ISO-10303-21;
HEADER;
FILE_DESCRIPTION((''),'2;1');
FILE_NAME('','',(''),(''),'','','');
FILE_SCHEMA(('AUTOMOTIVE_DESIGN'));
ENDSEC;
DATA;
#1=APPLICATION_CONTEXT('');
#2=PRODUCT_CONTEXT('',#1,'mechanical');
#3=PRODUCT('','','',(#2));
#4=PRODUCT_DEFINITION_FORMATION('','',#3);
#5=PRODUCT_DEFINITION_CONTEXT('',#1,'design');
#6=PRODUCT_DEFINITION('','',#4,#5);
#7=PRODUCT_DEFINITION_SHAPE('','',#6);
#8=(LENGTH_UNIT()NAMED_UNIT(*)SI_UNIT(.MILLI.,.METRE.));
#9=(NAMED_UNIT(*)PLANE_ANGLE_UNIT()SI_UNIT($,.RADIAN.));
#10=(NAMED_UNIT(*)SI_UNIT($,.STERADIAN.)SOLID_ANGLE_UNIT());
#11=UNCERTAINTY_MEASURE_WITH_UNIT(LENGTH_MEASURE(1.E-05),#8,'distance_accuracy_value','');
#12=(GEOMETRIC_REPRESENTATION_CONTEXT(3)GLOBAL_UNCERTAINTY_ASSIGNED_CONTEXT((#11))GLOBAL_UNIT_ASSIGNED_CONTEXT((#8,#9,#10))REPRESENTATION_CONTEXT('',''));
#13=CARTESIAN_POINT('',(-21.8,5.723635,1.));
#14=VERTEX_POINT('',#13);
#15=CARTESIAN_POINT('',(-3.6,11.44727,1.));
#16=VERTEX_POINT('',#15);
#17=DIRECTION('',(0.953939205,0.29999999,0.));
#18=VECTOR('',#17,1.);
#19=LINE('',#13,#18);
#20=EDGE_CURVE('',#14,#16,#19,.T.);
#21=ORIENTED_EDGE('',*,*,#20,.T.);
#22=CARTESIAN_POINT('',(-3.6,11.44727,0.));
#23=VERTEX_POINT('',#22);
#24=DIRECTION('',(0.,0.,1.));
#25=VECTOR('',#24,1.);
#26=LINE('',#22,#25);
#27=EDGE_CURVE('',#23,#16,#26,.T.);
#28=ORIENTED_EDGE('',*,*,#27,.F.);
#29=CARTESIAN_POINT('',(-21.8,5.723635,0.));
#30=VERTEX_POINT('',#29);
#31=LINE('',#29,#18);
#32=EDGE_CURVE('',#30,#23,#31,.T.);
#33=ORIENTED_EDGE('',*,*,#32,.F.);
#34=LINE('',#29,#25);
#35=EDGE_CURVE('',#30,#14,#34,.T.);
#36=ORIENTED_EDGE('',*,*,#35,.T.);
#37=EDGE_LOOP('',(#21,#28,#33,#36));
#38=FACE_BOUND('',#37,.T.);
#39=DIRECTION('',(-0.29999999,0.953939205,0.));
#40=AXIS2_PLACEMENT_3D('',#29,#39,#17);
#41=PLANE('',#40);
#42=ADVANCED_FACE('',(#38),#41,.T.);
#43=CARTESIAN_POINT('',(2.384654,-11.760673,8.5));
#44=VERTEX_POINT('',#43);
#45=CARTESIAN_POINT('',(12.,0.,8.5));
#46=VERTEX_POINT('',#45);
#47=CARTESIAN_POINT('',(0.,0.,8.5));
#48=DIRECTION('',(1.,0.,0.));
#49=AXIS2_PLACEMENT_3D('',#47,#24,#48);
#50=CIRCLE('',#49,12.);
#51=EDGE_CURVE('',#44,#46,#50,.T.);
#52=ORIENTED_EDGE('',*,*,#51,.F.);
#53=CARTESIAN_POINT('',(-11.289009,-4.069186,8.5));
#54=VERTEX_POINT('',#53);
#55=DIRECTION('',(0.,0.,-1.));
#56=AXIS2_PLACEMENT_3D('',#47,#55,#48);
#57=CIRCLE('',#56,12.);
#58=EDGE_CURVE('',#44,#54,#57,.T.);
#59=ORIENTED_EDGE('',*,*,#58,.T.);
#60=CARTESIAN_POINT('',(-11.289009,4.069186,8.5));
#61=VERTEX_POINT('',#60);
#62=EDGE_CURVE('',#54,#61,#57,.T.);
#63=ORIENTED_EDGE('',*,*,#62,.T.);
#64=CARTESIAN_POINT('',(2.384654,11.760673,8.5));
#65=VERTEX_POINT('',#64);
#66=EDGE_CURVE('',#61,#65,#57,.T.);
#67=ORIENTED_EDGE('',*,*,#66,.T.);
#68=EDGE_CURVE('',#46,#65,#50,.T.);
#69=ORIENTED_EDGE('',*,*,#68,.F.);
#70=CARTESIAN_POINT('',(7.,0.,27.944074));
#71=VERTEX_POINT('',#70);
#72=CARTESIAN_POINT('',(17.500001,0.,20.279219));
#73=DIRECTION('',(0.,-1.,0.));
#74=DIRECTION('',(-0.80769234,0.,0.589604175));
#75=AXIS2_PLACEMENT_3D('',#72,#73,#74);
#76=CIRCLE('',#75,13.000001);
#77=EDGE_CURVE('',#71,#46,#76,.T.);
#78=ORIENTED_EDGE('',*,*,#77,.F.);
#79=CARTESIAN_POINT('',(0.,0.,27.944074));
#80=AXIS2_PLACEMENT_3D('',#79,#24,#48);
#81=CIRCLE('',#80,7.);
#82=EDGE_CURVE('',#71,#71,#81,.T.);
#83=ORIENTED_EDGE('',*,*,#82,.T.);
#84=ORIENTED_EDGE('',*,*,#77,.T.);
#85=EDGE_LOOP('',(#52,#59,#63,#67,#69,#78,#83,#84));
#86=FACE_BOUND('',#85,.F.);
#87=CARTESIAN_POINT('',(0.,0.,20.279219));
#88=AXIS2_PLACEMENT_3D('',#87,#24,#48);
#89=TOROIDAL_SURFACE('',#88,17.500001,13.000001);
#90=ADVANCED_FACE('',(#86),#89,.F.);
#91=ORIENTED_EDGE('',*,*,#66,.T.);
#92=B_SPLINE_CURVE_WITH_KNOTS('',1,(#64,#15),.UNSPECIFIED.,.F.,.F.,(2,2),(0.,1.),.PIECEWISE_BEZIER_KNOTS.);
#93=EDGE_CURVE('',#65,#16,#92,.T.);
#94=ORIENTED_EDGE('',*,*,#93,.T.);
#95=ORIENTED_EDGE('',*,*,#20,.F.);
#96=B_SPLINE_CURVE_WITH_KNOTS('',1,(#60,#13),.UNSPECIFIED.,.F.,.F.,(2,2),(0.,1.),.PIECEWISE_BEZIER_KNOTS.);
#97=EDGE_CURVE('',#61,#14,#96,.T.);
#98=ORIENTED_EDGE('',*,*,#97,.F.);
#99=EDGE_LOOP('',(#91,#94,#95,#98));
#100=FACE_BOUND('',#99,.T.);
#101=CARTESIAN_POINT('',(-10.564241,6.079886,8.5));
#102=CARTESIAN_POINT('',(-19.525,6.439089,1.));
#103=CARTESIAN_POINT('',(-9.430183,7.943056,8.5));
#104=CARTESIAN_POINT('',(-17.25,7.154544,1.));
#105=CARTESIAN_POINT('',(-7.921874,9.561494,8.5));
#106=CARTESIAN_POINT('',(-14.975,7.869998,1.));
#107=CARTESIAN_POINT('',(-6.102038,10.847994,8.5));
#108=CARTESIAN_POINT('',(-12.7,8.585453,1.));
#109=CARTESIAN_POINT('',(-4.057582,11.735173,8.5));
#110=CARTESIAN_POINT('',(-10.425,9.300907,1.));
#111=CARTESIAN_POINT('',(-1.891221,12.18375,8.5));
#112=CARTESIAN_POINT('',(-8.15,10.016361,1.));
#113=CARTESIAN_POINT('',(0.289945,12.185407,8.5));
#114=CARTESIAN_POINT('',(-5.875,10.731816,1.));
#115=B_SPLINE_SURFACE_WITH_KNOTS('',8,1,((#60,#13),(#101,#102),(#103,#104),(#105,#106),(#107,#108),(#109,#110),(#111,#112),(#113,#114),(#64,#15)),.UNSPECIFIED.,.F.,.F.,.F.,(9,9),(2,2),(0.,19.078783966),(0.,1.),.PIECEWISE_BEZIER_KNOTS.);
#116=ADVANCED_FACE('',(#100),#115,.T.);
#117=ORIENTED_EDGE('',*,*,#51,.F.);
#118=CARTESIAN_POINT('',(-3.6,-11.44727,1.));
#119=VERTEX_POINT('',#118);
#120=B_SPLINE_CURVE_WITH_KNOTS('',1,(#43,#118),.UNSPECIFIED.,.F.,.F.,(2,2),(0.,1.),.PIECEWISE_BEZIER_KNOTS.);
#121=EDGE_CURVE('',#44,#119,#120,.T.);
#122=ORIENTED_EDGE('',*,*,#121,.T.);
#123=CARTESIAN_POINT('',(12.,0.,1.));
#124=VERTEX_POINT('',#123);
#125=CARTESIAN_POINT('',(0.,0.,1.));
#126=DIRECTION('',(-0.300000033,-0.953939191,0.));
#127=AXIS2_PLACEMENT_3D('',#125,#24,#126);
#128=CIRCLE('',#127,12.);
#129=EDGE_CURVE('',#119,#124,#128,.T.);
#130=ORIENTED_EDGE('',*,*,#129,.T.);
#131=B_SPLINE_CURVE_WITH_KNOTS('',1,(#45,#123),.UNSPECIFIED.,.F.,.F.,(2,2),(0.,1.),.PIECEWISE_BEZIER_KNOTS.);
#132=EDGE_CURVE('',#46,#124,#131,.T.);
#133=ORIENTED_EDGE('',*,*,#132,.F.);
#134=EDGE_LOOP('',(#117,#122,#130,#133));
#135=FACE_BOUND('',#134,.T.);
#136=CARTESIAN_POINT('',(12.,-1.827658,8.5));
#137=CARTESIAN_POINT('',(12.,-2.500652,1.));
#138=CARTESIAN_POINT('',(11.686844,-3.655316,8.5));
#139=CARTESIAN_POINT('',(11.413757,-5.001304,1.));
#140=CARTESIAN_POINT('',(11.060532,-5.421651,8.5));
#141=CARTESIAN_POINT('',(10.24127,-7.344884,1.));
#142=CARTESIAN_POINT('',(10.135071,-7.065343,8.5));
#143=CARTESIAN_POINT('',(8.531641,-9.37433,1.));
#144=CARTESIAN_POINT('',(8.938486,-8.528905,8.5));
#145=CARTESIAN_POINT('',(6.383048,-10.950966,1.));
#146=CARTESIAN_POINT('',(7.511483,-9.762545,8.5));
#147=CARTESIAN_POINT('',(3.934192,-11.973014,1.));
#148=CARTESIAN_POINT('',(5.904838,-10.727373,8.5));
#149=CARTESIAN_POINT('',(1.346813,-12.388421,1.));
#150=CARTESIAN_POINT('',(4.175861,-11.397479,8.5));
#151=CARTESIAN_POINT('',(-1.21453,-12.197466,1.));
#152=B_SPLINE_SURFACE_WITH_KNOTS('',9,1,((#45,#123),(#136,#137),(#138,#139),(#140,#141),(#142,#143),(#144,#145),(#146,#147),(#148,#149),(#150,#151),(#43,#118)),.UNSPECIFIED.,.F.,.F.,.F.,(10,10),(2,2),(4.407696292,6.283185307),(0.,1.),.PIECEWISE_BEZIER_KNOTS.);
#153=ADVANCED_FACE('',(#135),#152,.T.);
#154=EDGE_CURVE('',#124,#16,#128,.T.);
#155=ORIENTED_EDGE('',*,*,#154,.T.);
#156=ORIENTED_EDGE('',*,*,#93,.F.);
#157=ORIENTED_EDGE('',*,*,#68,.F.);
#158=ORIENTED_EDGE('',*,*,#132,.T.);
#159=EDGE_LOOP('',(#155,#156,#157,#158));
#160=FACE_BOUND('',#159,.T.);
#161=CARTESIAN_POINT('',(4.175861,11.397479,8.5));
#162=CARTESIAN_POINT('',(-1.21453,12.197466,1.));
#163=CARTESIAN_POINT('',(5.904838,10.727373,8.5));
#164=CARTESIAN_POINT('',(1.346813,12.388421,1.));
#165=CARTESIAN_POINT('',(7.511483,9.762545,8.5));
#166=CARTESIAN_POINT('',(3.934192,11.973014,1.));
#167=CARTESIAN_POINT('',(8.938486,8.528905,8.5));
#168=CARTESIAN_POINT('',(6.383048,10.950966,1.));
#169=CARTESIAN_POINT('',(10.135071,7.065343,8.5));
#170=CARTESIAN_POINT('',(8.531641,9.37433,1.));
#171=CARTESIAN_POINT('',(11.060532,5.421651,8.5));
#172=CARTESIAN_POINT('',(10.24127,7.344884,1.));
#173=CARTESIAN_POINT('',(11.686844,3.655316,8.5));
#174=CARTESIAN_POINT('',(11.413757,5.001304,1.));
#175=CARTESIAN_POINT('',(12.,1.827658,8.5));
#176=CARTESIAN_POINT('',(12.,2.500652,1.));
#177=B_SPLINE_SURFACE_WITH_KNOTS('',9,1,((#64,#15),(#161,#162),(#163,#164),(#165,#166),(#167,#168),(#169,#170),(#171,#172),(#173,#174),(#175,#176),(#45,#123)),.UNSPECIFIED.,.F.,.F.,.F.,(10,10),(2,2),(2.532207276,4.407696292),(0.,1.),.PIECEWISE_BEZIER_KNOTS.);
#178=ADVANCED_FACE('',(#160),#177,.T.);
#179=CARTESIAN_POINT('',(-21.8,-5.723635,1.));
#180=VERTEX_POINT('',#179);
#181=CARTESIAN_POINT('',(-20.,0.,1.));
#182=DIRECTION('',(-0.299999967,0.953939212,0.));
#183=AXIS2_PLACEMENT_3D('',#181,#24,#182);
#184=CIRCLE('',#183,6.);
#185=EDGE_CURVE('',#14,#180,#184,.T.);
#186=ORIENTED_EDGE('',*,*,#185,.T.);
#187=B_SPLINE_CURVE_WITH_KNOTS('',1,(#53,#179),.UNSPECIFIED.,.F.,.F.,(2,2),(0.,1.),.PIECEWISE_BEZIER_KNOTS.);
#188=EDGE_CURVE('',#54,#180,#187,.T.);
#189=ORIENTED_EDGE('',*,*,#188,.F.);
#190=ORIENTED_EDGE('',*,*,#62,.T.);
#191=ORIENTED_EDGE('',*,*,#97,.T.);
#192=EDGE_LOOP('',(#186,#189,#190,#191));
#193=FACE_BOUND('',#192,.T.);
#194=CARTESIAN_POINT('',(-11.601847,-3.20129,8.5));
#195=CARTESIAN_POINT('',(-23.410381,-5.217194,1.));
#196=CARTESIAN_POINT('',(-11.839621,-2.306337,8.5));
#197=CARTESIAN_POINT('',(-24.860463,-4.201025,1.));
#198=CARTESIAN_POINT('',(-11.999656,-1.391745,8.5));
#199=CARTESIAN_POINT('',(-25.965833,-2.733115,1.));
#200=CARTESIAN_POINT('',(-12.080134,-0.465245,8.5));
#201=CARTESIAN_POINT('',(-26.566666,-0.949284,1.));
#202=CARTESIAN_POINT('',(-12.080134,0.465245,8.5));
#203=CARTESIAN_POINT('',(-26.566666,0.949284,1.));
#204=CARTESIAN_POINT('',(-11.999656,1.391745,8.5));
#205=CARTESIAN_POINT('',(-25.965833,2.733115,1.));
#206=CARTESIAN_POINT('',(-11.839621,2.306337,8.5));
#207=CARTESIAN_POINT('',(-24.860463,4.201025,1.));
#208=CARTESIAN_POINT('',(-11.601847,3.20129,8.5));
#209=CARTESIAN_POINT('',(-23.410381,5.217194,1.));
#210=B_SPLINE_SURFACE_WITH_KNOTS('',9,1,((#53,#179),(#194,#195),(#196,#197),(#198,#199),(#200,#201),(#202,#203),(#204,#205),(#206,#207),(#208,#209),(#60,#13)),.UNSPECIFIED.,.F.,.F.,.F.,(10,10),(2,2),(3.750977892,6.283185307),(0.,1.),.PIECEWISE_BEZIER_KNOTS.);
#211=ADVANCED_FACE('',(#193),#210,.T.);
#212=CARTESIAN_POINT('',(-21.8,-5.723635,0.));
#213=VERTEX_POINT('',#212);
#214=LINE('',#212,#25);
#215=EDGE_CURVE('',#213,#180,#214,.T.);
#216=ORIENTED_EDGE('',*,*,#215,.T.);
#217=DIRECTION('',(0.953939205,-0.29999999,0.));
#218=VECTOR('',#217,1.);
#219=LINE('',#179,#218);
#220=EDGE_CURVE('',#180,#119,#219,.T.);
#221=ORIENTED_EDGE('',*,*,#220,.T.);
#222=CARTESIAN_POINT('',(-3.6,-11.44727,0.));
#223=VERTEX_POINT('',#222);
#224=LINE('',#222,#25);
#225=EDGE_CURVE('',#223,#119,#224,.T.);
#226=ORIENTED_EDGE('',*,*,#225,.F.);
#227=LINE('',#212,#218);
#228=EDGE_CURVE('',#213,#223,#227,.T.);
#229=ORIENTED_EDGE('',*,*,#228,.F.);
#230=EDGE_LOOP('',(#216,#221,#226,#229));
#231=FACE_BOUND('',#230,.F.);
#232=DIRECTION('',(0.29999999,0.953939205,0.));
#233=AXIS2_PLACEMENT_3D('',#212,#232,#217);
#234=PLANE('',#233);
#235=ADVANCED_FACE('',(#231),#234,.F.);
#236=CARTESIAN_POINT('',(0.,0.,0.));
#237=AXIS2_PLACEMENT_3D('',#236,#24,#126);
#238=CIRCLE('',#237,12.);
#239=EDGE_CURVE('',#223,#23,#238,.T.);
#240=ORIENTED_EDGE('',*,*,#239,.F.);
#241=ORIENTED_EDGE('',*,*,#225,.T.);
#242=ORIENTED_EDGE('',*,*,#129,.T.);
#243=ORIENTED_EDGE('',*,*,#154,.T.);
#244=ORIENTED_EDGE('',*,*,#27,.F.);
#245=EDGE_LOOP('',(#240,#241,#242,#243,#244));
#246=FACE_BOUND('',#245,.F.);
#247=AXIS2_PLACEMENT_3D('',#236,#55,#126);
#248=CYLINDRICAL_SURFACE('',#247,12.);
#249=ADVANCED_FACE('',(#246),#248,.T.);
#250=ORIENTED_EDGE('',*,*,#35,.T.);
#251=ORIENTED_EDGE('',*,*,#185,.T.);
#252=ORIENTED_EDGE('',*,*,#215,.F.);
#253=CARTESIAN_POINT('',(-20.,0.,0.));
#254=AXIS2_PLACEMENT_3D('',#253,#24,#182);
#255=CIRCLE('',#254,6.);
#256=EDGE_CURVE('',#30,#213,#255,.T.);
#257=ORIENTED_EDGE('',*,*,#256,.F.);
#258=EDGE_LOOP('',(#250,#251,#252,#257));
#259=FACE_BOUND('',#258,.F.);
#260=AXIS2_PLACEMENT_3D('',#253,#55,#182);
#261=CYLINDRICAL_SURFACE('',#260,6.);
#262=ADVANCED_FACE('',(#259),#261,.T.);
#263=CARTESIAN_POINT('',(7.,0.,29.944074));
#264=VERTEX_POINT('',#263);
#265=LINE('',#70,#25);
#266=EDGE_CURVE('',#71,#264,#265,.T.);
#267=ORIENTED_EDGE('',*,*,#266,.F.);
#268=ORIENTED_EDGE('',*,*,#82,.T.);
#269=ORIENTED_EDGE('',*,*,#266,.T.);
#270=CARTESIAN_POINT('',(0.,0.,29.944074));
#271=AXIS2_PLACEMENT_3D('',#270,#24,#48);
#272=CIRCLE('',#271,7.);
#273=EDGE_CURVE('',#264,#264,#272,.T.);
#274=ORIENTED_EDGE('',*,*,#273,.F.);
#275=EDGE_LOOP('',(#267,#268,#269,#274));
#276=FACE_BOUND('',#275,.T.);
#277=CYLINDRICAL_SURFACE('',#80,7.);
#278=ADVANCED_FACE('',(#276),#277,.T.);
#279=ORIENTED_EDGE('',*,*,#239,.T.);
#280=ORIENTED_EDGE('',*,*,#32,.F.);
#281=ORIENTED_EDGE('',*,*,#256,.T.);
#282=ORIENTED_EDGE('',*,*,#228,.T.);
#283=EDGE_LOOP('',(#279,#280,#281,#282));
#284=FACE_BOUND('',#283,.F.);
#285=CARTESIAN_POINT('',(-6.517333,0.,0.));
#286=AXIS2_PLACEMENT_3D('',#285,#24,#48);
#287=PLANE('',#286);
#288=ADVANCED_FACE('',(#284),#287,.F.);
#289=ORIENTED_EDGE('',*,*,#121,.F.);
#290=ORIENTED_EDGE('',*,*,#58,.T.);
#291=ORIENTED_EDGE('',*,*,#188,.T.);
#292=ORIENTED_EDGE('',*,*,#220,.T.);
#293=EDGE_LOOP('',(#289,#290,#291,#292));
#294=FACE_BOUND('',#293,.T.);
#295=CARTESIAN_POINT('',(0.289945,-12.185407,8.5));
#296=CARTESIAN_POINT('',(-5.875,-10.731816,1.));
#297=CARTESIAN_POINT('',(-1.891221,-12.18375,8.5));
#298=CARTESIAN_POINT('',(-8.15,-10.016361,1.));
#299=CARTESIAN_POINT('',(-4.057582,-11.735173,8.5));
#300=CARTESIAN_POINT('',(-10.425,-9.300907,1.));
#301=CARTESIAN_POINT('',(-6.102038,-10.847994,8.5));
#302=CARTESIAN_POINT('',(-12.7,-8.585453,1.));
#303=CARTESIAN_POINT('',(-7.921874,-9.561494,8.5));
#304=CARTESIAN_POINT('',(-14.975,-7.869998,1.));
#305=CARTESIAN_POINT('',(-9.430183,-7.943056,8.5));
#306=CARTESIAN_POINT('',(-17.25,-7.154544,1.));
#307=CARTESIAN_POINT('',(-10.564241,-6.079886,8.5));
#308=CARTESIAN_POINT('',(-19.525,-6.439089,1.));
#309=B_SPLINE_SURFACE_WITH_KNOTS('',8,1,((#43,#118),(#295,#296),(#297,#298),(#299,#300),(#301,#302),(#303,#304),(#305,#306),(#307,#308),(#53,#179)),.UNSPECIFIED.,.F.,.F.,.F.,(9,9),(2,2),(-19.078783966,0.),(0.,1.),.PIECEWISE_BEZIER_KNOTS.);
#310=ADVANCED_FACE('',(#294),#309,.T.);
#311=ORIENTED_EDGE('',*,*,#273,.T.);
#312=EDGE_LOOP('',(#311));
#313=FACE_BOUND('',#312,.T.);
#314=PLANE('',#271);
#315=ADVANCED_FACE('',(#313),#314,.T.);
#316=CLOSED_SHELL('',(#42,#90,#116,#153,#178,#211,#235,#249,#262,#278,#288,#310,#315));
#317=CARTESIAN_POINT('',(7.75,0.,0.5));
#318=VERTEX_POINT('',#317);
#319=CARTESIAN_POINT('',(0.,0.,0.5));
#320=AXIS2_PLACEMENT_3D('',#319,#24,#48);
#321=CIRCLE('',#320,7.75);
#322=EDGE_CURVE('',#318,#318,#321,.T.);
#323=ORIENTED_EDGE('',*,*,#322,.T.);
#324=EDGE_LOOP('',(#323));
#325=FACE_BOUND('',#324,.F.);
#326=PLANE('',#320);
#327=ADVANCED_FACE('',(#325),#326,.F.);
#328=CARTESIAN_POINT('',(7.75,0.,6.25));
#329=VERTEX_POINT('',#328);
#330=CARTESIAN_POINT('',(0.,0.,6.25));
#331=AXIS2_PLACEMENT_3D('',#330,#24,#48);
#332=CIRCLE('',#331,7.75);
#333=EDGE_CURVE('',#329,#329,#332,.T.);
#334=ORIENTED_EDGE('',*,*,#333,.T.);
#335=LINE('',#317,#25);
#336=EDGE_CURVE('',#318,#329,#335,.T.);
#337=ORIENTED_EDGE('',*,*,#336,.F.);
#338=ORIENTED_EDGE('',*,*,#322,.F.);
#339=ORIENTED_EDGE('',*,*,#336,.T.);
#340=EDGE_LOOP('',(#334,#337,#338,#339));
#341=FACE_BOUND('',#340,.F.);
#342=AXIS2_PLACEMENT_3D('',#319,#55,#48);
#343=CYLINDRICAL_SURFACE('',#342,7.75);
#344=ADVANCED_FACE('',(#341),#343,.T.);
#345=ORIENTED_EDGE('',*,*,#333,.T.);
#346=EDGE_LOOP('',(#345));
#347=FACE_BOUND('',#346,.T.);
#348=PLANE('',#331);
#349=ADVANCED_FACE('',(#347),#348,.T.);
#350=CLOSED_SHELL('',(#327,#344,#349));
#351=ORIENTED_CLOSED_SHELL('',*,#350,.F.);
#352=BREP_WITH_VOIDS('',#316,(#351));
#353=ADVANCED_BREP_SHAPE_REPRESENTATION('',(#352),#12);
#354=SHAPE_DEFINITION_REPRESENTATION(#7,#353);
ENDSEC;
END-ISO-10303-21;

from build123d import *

# Parameters (mm, degrees)
SKETCH002_R  = 12
PAD_DEPTH    = 1
SKETCH001_R  = 7.75
POCKET_DEPTH = 5.75


with BuildPart() as part:
    # Sketch → Revolution (revolve)
    with BuildSketch(Plane.XZ):
        with BuildLine():
            ThreePointArc((7, 27.944074), (4.909607, 17.041628), (12, 8.5))
            Line((12, 8.5), (0, 8.5))
            Line((0, 8.5), (0, 29.944074))
            Line((7, 29.944074), (0, 29.944074))
            Line((7, 27.944074), (7, 29.944074))
        make_face()
    revolve(axis=Axis((0, 0, 0), (0, 0, 1)))

    # Sketch002 (on DatumPlane) → AdditiveLoft section 0
    with BuildSketch(Plane(origin=(0, 0, 8.5), x_dir=(1, 0, 0), z_dir=(0, 0, -1))):
        Circle(SKETCH002_R)
    # Sketch004 → AdditiveLoft section 1
    with BuildSketch(Plane.XY.offset(1)):
        with BuildLine():
            ThreePointArc((-3.6, -11.44727), (12, 0), (-3.6, 11.44727))
            Line((-21.8, 5.723635), (-3.6, 11.44727))
            ThreePointArc((-21.8, 5.723635), (-26, 0), (-21.8, -5.723635))
            Line((-21.8, -5.723635), (-3.6, -11.44727))
        make_face()
    loft(ruled=True)

    # Sketch003 → Pad (new body)
    with BuildSketch(Plane.XY):
        with BuildLine():
            ThreePointArc((-3.6, -11.44727), (12, 0), (-3.6, 11.44727))
            Line((-21.8, 5.723635), (-3.6, 11.44727))
            ThreePointArc((-21.8, 5.723635), (-26, 0), (-21.8, -5.723635))
            Line((-21.8, -5.723635), (-3.6, -11.44727))
        make_face()
    extrude(amount=PAD_DEPTH)

    # Sketch001 → Pocket (cut)
    with BuildSketch(Plane.XY.offset(0.5)):
        Circle(SKETCH001_R)
    extrude(amount=POCKET_DEPTH, mode=Mode.SUBTRACT)


solid = part.part
